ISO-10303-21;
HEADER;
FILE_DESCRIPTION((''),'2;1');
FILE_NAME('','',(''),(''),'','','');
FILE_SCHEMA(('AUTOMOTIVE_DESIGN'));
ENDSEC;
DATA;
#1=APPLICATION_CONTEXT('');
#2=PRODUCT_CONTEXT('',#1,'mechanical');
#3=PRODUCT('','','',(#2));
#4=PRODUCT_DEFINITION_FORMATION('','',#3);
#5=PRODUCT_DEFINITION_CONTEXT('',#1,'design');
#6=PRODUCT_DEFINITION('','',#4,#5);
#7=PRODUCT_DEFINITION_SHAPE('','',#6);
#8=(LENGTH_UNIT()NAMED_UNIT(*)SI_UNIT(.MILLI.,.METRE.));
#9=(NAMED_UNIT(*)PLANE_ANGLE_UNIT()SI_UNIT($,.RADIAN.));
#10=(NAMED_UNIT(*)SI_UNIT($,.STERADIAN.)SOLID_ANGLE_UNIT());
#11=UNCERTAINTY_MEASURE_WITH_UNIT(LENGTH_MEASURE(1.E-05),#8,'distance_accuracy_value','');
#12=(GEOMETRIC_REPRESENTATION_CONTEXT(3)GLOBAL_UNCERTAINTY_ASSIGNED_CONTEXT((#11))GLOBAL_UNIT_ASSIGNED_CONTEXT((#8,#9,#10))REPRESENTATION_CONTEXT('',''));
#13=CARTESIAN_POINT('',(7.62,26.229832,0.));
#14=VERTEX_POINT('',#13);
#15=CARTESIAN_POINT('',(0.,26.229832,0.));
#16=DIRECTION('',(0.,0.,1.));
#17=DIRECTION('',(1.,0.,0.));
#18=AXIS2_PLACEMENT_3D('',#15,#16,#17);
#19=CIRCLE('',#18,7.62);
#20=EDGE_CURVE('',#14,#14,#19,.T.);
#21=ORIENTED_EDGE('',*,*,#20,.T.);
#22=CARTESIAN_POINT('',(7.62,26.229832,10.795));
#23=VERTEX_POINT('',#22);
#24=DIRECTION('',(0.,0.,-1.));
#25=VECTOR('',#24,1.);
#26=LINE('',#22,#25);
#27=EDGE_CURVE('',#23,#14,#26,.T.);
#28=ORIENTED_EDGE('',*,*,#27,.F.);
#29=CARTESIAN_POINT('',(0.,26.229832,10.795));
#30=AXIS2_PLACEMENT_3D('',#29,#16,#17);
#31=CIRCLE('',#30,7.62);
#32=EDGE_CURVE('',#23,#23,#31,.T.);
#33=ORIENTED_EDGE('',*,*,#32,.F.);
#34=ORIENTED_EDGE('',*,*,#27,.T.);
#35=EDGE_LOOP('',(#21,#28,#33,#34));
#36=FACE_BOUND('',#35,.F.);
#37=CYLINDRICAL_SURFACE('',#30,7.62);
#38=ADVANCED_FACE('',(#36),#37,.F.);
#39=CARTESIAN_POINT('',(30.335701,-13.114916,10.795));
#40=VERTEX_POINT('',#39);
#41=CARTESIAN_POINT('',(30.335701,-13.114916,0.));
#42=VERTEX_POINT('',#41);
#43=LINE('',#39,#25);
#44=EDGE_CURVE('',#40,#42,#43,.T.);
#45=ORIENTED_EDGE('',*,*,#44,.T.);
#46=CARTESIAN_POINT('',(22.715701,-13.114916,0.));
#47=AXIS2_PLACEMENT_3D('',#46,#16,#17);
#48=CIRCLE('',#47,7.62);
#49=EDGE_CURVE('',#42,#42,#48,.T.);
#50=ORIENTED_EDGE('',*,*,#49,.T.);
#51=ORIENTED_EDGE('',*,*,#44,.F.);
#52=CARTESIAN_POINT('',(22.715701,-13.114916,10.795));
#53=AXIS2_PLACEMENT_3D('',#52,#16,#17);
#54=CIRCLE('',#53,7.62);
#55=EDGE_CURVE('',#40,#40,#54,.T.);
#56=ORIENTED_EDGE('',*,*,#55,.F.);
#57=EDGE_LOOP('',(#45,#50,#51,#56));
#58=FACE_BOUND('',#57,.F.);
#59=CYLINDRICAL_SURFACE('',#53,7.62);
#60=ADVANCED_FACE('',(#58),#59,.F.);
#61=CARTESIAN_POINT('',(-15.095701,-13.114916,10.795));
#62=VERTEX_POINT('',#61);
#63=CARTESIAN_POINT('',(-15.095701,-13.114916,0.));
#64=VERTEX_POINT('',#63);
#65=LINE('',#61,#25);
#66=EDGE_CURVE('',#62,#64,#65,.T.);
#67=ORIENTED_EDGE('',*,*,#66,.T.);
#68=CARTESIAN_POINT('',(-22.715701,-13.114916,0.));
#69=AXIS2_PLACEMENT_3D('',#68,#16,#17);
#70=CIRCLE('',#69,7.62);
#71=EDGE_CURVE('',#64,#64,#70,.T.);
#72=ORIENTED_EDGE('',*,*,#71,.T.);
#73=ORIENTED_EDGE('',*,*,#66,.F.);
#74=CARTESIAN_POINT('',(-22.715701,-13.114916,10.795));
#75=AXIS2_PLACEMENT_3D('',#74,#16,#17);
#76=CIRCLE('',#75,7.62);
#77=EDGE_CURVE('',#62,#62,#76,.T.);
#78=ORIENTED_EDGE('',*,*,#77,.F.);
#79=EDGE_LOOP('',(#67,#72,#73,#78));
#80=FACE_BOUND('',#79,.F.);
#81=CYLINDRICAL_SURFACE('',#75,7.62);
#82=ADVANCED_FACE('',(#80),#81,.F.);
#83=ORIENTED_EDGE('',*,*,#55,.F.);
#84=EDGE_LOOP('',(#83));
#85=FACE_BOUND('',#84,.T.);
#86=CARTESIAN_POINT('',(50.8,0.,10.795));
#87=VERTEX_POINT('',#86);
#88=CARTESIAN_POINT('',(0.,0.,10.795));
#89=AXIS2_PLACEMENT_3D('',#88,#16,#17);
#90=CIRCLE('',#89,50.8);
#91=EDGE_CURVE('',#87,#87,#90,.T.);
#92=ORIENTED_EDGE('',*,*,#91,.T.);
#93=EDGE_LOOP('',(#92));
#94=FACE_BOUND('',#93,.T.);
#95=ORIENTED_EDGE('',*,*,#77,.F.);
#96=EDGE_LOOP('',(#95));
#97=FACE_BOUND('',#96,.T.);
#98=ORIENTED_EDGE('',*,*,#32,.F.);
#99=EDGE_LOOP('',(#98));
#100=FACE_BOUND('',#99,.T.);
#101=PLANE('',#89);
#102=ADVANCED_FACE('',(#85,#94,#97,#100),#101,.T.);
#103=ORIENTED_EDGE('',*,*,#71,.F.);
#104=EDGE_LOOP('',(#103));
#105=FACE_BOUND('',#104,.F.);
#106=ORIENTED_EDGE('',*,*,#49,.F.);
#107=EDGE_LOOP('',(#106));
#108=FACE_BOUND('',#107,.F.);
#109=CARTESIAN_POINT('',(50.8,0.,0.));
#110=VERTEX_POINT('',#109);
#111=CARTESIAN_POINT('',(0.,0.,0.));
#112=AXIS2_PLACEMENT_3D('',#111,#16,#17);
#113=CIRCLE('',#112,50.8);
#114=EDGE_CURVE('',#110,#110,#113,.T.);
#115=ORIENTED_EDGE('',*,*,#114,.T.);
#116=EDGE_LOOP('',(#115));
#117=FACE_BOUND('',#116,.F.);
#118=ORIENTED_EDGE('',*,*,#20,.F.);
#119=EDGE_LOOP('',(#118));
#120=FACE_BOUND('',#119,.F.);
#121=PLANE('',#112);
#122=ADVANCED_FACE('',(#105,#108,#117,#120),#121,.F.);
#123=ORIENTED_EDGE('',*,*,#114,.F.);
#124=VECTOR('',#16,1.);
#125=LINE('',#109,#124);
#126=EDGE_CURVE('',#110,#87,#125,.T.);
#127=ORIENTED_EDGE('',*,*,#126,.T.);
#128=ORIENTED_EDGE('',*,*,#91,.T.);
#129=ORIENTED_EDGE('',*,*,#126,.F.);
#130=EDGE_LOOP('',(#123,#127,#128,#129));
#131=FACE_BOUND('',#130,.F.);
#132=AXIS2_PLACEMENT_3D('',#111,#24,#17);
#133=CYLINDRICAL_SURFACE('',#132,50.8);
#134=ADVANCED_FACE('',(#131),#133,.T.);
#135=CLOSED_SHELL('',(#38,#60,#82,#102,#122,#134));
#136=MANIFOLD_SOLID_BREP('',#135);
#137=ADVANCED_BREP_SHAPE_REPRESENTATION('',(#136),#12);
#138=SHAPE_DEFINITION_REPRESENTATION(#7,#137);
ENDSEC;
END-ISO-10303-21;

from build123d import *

# Parameters (mm, degrees)
F0_R     = 50.8
F1_DEPTH = 10.795
F2_R     = 7.62
F3_DEPTH = 10.796


with BuildPart() as f1:
    # F0 (on Top) → F1 (new body)
    with BuildSketch(Plane.XY):
        Circle(F0_R)
    extrude(amount=F1_DEPTH)

    # F2 (on face) → F3 (cut, through all)
    with BuildSketch(Plane.XY.offset(10.795)):
        with Locations((-22.715701, -13.114916)):
            Circle(F2_R)
        with Locations((0, 26.229832)):
            Circle(F2_R)
        with Locations((22.715701, -13.114916)):
            Circle(F2_R)
    extrude(amount=-F3_DEPTH, mode=Mode.SUBTRACT)


solid = f1.part
